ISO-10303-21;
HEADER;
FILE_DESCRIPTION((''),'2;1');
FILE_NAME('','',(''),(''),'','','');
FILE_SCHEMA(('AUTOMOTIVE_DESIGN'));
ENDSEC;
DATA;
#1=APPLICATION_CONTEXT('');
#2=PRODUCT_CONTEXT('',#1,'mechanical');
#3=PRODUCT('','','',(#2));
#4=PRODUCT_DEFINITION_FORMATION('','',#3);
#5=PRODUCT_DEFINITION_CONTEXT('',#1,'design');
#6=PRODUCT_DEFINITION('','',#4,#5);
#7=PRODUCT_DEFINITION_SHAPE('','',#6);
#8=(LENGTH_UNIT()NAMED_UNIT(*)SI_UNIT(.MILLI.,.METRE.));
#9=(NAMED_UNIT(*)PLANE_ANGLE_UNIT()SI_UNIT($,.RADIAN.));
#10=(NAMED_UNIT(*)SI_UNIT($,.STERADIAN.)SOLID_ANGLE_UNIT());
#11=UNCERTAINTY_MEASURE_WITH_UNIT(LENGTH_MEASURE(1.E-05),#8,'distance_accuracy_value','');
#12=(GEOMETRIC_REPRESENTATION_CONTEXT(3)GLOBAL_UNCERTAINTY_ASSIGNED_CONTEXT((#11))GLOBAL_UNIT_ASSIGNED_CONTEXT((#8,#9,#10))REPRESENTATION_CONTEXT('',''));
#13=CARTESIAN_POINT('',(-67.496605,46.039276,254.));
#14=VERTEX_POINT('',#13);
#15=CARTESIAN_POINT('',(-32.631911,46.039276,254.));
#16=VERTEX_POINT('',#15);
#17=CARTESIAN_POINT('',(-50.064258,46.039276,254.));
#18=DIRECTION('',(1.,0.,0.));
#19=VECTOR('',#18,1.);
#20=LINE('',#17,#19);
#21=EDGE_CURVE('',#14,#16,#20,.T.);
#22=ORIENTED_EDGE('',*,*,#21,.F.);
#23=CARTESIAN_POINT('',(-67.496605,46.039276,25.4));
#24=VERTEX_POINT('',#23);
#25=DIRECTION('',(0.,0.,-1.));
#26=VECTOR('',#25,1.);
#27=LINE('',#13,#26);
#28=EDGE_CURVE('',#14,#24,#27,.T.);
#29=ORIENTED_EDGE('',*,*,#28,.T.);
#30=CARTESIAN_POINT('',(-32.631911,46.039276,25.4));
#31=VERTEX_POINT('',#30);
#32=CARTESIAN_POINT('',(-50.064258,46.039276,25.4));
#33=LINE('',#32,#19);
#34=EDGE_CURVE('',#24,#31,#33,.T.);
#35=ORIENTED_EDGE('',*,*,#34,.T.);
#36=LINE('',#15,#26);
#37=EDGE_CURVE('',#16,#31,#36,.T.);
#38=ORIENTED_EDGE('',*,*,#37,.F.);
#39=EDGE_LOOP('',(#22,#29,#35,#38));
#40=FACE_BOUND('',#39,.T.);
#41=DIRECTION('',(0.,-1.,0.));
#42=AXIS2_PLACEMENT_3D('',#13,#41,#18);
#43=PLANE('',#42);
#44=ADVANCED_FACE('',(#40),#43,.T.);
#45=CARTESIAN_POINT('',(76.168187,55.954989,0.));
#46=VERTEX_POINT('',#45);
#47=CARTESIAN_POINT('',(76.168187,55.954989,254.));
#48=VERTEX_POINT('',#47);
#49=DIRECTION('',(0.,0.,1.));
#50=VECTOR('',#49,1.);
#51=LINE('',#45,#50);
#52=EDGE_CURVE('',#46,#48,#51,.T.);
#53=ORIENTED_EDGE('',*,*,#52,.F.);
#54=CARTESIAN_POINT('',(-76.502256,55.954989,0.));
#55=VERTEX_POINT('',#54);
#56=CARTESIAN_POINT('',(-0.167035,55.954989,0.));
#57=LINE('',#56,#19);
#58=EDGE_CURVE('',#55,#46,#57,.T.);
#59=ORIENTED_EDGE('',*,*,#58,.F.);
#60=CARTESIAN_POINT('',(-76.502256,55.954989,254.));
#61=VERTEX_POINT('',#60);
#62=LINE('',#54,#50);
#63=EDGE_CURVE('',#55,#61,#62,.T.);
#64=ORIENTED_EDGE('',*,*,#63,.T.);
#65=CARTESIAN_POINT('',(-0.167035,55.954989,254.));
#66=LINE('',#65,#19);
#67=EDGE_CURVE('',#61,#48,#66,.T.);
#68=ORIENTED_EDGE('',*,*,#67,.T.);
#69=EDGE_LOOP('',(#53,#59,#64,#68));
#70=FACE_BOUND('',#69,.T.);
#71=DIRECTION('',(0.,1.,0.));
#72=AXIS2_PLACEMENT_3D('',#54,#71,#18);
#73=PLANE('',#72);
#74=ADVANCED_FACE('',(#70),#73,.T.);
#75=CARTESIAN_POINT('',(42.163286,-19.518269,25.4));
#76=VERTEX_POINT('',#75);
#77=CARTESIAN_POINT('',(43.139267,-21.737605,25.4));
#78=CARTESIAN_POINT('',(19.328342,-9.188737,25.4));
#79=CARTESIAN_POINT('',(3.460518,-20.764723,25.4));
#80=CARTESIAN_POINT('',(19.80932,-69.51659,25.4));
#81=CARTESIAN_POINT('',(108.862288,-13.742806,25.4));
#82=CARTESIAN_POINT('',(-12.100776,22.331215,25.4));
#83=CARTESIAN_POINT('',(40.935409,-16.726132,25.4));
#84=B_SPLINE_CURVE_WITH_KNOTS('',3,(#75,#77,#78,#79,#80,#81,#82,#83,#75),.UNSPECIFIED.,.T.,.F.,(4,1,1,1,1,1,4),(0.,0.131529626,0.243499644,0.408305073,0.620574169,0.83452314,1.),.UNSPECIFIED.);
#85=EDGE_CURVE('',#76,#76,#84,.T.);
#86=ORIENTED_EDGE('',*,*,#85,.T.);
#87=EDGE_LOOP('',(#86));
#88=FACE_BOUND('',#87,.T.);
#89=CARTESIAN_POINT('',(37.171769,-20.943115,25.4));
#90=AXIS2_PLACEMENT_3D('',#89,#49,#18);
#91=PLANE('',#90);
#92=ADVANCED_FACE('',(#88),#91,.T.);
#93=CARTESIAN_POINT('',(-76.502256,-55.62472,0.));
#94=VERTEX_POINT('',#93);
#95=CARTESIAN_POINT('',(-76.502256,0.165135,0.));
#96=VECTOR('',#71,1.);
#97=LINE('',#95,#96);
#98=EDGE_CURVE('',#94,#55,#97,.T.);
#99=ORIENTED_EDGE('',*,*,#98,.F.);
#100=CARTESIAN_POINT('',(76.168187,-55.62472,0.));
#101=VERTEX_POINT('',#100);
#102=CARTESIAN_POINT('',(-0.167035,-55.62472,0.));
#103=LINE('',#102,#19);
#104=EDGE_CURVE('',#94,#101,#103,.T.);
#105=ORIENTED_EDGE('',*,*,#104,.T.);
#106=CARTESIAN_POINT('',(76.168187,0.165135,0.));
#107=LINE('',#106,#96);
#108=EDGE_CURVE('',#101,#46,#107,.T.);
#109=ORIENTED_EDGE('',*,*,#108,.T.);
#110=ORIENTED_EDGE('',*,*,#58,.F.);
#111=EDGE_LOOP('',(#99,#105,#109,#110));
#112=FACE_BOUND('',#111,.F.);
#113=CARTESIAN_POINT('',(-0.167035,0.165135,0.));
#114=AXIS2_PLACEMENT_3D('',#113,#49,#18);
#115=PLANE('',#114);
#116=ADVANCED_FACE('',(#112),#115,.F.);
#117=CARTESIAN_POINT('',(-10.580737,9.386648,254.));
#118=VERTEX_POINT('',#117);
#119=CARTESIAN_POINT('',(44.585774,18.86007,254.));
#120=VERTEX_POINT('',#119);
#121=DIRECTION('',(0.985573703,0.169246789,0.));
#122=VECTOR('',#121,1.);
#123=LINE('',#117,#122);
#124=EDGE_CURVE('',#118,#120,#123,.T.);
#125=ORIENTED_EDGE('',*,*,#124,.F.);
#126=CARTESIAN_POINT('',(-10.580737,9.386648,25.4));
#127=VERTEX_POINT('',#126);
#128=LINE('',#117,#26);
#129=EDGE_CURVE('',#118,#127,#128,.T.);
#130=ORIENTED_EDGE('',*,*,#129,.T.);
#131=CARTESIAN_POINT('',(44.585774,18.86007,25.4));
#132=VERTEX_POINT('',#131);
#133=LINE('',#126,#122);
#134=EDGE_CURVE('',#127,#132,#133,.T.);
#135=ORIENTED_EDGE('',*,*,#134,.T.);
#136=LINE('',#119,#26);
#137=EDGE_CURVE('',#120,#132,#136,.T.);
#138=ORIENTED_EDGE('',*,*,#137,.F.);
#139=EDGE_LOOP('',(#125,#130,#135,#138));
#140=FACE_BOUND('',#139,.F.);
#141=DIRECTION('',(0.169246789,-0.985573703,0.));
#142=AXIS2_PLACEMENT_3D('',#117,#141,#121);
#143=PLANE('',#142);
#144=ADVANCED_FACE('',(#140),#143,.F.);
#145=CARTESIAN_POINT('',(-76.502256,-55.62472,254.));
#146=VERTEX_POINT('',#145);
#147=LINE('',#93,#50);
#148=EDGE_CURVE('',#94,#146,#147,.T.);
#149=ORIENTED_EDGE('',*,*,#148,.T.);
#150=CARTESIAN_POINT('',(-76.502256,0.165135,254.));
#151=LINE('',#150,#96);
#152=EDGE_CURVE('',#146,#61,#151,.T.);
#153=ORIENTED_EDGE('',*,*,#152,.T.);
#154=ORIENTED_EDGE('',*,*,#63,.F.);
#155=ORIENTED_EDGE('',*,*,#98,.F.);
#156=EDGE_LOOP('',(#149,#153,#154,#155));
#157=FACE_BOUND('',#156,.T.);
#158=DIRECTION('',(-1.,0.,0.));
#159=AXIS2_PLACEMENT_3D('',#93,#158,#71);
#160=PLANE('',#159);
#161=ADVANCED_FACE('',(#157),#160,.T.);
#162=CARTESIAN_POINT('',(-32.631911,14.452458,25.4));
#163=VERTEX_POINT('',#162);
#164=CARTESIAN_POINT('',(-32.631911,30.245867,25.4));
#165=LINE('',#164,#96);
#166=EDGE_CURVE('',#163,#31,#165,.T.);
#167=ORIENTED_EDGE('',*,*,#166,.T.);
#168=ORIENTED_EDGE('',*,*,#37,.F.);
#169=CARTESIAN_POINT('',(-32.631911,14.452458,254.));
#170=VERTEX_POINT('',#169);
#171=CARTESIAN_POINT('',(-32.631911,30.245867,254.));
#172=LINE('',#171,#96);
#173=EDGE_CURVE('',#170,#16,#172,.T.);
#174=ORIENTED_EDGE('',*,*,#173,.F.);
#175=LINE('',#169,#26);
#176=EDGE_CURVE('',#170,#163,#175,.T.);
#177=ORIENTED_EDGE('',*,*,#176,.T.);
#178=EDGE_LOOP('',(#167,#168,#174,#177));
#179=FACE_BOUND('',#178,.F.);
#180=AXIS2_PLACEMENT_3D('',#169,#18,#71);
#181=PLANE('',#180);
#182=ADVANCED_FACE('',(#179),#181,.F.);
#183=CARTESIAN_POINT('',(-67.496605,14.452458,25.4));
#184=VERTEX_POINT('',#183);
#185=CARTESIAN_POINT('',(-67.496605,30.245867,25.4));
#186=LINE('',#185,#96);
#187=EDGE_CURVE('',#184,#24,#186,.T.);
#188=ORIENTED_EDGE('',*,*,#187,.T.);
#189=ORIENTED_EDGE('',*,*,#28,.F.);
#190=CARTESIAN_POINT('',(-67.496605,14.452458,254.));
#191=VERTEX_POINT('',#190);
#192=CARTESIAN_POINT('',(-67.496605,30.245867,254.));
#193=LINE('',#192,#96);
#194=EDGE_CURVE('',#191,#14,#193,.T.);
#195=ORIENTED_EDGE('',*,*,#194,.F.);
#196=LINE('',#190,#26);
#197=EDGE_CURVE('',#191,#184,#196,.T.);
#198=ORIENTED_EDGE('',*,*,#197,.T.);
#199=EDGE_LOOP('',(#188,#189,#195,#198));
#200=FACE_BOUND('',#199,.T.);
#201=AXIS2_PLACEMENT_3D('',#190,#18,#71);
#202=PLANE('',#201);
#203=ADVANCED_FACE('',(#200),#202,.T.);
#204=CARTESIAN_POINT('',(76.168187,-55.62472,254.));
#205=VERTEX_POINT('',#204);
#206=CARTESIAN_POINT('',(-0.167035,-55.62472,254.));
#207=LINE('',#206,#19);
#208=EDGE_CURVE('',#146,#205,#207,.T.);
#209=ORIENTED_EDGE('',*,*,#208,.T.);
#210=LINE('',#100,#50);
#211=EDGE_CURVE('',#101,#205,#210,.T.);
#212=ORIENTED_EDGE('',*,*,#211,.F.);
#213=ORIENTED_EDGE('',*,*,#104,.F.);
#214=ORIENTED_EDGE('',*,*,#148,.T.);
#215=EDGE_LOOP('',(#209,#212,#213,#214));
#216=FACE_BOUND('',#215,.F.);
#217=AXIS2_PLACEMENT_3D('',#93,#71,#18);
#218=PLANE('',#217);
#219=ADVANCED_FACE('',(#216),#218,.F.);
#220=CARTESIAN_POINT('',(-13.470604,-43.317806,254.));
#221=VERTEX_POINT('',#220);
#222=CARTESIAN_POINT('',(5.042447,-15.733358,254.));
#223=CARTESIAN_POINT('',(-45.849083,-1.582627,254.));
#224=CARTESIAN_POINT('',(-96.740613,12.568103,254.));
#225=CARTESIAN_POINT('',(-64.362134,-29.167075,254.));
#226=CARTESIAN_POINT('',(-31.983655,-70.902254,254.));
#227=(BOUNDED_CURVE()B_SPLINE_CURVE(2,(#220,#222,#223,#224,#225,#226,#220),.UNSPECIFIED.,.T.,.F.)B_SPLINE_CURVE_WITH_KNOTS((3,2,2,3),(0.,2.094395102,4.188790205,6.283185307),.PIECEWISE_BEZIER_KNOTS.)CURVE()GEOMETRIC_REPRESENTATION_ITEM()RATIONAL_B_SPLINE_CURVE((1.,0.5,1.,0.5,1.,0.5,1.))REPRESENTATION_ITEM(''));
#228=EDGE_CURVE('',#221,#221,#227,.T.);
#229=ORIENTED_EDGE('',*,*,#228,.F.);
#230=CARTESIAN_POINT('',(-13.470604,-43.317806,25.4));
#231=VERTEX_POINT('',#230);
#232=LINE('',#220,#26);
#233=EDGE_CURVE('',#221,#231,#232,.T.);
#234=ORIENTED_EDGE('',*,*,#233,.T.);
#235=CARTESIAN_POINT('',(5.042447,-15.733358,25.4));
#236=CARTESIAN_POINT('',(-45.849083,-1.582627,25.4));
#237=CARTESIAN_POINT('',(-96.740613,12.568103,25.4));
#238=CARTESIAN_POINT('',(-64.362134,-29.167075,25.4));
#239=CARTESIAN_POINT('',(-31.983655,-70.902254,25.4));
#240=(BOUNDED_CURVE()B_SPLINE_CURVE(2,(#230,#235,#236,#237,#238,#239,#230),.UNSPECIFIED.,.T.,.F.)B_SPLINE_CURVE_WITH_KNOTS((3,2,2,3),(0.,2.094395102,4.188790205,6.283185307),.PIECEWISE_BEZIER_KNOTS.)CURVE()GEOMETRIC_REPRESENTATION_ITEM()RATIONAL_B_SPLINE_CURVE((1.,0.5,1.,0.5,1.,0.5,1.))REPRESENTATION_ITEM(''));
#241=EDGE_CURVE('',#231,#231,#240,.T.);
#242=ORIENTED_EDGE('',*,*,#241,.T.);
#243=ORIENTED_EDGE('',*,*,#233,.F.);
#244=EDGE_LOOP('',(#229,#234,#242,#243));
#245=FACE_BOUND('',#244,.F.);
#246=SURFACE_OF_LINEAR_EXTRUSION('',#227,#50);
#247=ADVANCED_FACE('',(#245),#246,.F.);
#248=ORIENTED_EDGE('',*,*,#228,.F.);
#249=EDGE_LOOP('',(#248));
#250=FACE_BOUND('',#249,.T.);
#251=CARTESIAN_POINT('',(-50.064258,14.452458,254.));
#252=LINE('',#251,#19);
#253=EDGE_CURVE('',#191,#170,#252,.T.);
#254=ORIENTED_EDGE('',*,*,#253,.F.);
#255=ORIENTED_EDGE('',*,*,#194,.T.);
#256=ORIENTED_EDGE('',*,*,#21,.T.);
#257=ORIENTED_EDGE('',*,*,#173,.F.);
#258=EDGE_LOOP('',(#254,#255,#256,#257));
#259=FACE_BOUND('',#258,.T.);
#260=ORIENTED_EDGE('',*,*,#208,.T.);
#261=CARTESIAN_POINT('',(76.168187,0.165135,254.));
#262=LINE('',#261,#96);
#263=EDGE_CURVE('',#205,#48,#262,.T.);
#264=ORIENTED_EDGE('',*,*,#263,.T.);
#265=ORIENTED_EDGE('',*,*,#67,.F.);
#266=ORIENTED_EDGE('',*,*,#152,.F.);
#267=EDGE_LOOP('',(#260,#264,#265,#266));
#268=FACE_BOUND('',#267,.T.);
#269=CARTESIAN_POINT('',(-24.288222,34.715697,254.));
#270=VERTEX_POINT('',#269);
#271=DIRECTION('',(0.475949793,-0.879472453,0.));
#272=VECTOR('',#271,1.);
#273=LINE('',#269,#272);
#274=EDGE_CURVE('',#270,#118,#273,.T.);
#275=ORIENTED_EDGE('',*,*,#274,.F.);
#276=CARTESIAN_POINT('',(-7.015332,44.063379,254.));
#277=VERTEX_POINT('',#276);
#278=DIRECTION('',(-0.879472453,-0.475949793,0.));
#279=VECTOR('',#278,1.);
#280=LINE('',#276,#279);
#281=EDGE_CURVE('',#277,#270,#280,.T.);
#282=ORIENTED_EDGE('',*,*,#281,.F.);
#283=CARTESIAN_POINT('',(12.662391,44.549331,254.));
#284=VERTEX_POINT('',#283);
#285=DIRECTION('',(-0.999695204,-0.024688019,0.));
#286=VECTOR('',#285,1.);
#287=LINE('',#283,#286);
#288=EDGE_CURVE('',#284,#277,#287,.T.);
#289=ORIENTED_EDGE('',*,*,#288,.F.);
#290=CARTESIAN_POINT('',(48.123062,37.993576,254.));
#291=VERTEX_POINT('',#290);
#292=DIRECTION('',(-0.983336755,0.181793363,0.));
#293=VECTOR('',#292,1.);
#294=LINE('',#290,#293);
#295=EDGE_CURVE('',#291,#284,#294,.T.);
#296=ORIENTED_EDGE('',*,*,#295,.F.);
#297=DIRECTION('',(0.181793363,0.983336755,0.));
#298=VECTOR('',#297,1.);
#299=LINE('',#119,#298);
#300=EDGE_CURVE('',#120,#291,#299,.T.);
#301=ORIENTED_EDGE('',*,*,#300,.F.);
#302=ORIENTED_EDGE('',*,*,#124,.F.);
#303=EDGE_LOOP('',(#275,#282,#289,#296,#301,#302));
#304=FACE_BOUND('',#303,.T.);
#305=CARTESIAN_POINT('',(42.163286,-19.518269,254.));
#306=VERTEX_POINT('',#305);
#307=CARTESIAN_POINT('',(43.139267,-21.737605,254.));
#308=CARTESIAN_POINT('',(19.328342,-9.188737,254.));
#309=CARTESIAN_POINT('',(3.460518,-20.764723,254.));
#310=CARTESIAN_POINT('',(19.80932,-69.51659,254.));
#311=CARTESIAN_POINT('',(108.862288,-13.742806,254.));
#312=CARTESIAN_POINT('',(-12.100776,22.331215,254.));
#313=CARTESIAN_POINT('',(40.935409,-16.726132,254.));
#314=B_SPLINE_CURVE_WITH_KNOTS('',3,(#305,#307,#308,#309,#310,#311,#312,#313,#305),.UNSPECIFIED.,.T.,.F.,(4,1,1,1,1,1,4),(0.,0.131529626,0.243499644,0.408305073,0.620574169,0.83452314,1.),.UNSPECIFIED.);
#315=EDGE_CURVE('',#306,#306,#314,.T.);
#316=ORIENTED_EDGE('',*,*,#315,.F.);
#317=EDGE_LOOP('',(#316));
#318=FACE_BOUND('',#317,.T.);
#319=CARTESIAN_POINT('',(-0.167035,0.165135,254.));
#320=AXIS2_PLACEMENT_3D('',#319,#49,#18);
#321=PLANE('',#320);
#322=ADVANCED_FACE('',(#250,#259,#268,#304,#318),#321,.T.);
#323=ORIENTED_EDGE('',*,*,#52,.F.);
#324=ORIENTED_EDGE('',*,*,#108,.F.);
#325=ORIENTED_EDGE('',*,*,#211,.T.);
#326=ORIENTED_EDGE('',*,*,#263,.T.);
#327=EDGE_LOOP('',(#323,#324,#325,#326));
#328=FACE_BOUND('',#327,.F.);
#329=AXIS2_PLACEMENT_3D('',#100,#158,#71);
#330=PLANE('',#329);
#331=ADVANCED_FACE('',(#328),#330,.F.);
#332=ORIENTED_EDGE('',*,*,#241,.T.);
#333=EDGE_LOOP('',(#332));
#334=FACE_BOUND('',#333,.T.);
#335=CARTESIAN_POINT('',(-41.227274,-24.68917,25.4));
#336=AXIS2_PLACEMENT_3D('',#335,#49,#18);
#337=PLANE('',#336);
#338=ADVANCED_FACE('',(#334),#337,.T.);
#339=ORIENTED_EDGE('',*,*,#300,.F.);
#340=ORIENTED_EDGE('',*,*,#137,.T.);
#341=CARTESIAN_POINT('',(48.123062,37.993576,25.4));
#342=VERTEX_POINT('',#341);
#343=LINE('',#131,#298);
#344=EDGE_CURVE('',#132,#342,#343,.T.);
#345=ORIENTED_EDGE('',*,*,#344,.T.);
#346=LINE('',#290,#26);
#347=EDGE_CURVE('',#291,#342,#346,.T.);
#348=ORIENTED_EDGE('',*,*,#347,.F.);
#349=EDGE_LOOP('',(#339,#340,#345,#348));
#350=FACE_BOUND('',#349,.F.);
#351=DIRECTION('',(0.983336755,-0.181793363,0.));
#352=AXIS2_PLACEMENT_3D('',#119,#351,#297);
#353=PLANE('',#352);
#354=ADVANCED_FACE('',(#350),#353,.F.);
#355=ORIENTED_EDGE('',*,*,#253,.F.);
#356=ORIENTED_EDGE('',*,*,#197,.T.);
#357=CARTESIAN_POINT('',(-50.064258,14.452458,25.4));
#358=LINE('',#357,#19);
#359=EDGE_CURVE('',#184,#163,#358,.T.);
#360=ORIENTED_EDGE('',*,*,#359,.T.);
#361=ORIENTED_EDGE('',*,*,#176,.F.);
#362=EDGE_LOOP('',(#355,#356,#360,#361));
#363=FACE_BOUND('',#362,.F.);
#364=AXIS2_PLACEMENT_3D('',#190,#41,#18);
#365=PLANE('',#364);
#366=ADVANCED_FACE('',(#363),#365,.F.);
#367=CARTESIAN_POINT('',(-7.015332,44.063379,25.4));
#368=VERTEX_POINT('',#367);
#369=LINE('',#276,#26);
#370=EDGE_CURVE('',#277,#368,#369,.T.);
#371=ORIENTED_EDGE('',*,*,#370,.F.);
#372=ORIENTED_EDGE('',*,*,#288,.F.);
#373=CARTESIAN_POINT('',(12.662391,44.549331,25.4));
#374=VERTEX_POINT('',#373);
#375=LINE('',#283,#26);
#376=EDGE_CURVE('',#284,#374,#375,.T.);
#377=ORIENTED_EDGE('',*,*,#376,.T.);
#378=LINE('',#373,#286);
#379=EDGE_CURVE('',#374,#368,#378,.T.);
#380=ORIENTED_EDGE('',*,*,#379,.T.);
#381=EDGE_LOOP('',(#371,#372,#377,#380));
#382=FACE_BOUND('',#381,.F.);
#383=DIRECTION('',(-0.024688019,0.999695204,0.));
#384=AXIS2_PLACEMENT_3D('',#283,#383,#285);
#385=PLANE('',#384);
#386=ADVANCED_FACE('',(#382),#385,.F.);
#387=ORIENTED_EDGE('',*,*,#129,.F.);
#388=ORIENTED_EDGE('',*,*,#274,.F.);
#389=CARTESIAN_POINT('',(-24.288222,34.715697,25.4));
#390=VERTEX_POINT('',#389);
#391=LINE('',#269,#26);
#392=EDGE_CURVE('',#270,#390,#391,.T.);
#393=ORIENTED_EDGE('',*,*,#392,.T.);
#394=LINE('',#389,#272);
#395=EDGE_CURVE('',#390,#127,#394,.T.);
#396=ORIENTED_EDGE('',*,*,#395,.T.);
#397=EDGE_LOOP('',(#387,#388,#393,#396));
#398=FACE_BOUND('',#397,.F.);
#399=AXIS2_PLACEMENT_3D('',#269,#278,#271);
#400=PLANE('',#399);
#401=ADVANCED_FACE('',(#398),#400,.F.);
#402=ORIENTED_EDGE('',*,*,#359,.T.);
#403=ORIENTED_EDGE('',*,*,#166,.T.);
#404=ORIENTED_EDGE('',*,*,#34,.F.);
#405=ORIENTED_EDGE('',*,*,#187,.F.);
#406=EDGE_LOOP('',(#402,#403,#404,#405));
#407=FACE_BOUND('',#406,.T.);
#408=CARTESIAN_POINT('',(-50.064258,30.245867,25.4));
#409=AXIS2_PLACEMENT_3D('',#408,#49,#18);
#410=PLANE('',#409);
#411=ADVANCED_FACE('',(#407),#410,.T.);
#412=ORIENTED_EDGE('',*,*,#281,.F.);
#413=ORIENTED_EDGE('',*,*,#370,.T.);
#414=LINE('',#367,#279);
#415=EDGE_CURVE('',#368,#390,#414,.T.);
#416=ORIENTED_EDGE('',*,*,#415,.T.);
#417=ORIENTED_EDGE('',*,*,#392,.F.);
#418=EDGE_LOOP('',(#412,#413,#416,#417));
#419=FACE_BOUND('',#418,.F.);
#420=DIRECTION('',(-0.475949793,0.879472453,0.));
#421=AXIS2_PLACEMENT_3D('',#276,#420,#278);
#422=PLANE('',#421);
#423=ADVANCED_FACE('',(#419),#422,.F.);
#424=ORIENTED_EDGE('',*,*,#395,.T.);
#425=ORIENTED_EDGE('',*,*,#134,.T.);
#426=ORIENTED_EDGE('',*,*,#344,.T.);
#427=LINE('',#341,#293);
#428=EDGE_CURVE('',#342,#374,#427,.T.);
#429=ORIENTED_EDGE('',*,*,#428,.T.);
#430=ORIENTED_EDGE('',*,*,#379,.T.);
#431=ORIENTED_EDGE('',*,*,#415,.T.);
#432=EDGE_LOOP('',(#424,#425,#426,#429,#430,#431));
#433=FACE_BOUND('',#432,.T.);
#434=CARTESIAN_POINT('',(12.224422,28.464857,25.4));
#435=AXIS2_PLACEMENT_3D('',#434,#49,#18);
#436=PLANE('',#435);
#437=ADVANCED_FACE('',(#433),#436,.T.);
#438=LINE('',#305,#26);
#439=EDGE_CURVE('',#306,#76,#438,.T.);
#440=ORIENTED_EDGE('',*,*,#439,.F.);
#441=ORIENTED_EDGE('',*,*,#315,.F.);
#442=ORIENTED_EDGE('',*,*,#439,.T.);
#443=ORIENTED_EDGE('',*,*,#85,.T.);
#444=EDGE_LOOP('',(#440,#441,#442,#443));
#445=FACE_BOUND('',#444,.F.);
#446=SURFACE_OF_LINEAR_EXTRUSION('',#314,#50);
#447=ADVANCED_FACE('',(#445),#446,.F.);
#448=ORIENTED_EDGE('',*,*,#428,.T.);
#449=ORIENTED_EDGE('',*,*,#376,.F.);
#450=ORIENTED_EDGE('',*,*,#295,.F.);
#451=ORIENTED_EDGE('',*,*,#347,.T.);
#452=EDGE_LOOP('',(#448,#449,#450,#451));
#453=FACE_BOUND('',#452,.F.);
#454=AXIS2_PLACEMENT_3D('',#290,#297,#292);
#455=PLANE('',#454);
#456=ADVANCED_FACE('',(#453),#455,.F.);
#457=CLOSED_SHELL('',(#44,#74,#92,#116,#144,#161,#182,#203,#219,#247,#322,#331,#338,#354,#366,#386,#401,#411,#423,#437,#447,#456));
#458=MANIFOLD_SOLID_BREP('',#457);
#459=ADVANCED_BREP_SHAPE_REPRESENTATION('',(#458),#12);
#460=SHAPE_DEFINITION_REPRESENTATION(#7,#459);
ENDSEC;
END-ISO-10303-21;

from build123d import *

# Parameters (mm, degrees)
F0_W      = 152.670443058
F0_H      = 111.579708755
F1_DEPTH  = 254
F3_DEPTH  = 228.6
F7_DEPTH  = 228.6
F9_DEPTH  = 228.6
F10_W     = 34.8646938801
F10_H     = 31.5868174657
F11_DEPTH = 228.6


with BuildPart() as f1:
    # F0 (on Top) → F1 (new body)
    with BuildSketch(Plane.XY):
        with Locations((-0.1670345664, 0.1651346684)):
            Rectangle(F0_W, F0_H)
    extrude(amount=F1_DEPTH)

    # F2 (on face) → F3 (cut)
    with BuildSketch(Plane.XY.offset(254)):
        with BuildLine():
            add(Edge.make_bspline(
                [(-13.4706040844, -43.3178059757), (5.0424473153, -15.7333580388), (-45.8490827224, -1.5826274446), (-96.7406127602, 12.5681031495), (-64.3621341222, -29.1670753815), (-31.9836554842, -70.9022539126), (-13.4706040844, -43.3178059757)],
                knots=[0, 0, 0, 2.0943951024, 2.0943951024, 4.1887902048, 4.1887902048, 6.2831853072, 6.2831853072, 6.2831853072], degree=2, weights=[1, 0.5, 1, 0.5, 1, 0.5, 1]))
        make_face()
    extrude(amount=-F3_DEPTH, mode=Mode.SUBTRACT)

    # F6 (on face) → F7 (cut)
    with BuildSketch(Plane.XY.offset(254)):
        Polygon((48.123061657, 37.9935763776), (12.6623911783, 44.549331069), (-7.0153317596, 44.0633789467), (-24.2882221937, 34.7156971693), (-10.5807371438, 9.386648424), (44.5857744618, 18.8600697838), align=None)
    extrude(amount=-F7_DEPTH, mode=Mode.SUBTRACT)

    # F8 (on face) → F9 (cut)
    with BuildSketch(Plane.XY.offset(254)):
        with BuildLine():
            add(Edge.make_bspline(
                [(42.1632863581, -19.518269226), (43.1392674258, -21.7376050728), (19.3283421945, -9.1887365291), (3.4605184767, -20.764722891), (19.8093199967, -69.5165903693), (108.8622875848, -13.7428060572), (-12.100776453, 22.3312151384), (40.9354087513, -16.7261322894), (42.1632863581, -19.518269226)],
                knots=[0, 0, 0, 0, 0.1315296257, 0.2434996435, 0.4083050733, 0.6205741686, 0.8345231405, 1, 1, 1, 1], degree=3))
        make_face()
    extrude(amount=-F9_DEPTH, mode=Mode.SUBTRACT)

    # F10 (on face) → F11 (cut)
    with BuildSketch(Plane.XY.offset(254)):
        with Locations((-50.0642582774, 30.2458670922)):
            Rectangle(F10_W, F10_H)
    extrude(amount=-F11_DEPTH, mode=Mode.SUBTRACT)


solid = f1.part
